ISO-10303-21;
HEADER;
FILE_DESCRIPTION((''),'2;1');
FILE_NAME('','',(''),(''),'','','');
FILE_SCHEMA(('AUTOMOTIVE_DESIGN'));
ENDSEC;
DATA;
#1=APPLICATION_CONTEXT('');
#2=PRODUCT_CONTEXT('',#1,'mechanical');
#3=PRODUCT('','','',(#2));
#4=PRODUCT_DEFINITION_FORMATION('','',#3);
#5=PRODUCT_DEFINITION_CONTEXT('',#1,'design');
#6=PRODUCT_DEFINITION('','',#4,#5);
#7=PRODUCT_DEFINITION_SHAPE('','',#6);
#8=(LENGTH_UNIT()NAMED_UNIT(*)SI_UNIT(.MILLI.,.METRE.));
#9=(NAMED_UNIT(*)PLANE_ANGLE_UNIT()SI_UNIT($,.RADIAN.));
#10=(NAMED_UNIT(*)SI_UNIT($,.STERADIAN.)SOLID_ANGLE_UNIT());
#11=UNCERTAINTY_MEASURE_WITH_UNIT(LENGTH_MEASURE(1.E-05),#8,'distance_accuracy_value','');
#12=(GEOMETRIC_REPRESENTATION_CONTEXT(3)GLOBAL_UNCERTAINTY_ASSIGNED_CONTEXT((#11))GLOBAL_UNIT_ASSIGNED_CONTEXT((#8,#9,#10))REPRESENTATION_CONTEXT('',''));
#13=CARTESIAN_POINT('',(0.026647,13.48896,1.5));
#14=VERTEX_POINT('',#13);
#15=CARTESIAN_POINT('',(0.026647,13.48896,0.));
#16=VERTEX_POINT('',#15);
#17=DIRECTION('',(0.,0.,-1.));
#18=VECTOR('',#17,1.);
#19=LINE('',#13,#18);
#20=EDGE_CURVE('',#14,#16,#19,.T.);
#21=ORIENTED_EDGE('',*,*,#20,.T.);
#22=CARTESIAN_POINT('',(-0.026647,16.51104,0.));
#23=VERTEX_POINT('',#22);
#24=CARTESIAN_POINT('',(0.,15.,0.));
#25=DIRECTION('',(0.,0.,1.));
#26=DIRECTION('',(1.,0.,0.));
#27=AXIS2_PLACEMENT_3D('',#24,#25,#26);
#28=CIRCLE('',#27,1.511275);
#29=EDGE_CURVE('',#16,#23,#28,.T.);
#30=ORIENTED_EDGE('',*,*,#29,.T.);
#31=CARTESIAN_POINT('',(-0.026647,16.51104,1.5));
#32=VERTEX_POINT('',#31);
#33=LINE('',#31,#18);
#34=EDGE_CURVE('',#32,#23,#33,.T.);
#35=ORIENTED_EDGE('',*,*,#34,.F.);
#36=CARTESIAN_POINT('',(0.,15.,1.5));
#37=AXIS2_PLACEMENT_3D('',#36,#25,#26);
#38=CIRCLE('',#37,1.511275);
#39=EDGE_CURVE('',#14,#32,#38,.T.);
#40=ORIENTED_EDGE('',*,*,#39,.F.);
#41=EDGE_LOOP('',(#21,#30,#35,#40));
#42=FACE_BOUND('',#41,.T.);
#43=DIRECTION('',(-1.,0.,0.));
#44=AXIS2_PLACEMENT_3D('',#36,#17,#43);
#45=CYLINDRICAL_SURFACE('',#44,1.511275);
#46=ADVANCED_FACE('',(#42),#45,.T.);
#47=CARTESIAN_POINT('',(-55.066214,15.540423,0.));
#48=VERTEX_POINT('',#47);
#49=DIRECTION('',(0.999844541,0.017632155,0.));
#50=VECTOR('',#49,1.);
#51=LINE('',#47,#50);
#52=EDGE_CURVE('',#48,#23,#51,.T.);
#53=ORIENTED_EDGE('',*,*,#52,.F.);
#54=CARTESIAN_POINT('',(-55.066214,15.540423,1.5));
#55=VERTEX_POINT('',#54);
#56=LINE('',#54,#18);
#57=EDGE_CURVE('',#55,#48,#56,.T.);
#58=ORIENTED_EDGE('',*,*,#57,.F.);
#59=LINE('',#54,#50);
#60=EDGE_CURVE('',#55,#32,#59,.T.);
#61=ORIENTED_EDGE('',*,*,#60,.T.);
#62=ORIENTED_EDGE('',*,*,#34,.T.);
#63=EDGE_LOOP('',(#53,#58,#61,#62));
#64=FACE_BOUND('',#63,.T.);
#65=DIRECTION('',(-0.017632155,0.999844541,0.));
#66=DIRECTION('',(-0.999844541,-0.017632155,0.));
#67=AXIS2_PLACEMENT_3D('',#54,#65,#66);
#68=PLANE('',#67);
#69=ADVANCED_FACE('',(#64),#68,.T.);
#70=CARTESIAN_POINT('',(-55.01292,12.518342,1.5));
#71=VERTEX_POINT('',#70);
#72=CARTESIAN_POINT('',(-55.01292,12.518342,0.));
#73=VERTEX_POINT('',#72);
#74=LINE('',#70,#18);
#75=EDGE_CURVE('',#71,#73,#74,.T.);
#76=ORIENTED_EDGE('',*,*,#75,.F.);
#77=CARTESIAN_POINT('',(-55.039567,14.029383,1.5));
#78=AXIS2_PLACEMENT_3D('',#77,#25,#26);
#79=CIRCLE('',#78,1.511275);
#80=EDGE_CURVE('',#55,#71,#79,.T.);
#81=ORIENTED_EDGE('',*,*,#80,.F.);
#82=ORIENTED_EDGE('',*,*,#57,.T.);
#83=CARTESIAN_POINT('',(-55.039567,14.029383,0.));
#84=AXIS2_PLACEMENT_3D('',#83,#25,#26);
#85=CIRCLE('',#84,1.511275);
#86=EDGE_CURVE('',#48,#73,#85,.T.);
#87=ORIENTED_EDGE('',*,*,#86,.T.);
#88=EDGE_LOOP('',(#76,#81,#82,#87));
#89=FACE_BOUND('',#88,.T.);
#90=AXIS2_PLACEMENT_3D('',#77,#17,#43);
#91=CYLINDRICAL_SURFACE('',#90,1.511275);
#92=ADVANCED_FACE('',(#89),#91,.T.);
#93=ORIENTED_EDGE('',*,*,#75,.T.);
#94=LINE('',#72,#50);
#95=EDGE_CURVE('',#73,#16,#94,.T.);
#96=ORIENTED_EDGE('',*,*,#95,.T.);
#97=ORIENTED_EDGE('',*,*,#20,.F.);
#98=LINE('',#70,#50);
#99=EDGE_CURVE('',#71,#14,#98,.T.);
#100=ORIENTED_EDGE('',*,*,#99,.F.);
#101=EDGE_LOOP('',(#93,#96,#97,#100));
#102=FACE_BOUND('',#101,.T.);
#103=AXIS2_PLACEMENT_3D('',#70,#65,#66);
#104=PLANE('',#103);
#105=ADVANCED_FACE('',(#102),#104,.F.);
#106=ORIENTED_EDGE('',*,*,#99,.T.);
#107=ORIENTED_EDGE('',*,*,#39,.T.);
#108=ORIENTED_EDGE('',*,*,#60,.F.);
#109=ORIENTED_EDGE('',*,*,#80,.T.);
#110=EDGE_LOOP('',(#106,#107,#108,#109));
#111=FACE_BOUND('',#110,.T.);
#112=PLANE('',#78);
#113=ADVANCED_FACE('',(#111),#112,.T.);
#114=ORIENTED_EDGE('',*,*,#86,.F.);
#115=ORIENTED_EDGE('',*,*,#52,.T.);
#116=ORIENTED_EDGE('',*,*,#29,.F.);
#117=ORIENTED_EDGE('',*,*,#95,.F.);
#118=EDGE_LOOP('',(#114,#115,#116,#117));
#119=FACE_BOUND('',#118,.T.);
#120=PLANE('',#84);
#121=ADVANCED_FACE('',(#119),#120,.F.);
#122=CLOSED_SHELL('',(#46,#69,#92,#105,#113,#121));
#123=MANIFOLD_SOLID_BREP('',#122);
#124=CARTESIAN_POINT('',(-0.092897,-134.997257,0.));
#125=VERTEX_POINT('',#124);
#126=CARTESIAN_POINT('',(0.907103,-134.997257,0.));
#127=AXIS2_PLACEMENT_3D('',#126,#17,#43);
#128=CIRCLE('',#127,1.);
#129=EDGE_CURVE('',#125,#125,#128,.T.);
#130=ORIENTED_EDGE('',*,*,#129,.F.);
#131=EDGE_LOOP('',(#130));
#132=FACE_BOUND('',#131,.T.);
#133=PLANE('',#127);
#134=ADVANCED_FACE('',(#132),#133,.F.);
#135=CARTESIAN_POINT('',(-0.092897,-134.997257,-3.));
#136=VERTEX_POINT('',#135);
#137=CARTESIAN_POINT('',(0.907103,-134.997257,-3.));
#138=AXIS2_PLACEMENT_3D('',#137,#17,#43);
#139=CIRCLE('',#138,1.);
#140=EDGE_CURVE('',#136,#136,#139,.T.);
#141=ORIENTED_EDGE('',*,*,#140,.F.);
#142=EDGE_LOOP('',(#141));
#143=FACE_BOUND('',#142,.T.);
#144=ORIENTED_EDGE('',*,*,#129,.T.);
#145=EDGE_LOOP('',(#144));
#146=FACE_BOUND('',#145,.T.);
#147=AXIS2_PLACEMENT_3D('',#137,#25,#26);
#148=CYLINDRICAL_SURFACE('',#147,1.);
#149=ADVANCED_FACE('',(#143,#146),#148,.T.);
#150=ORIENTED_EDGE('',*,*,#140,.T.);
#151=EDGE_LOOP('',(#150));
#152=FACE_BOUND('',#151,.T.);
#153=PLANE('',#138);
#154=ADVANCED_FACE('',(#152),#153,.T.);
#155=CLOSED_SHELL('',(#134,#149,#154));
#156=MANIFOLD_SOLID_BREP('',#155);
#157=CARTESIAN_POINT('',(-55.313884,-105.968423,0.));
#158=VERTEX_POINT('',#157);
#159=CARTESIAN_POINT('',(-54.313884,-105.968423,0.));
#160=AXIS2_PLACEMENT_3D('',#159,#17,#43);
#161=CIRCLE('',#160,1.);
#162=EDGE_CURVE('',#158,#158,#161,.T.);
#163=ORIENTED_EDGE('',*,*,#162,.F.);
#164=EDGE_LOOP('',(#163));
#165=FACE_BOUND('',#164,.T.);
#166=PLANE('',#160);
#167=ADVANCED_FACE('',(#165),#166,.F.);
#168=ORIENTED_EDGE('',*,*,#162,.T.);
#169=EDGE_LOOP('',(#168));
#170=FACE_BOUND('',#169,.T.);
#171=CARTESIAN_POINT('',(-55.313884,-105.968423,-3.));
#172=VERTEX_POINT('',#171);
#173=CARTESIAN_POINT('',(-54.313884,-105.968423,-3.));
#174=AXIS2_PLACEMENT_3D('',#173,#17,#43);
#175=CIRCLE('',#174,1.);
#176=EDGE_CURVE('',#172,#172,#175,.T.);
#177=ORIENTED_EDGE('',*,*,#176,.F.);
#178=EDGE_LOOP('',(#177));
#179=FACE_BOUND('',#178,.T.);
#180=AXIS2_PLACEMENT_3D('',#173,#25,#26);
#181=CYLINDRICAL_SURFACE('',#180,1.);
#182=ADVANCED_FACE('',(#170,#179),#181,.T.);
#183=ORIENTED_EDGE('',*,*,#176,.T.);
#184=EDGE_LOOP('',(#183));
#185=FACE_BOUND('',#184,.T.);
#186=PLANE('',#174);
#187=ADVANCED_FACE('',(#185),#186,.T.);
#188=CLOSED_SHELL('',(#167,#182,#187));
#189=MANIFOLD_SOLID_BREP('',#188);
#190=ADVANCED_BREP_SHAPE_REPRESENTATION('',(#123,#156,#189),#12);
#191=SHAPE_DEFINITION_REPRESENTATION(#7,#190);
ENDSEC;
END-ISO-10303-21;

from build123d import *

# Parameters (mm, degrees)
BOSS_EXTRUDE1_DEPTH   = 1.5
SKETCH2_R             = 1
BOSS_EXTRUDE2_DEPTH   = 3
BOSS_EXTRUDE2_2_DEPTH = 3


with BuildPart() as part:
    # Sketch1 → Boss-Extrude1 (new body)
    with BuildSketch(Plane.XY):
        with BuildLine():
            Line((-55.066213656, 15.540423387), (-0.026647042, 16.511040453))
            ThreePointArc((-0.026647042, 16.511040453), (1.511040453, 15.026647042), (0.026647042, 13.488959547))
            Line((0.026647042, 13.488959547), (-55.012919571, 12.518342481))
            ThreePointArc((-55.012919571, 12.518342481), (-56.550607067, 14.002735892), (-55.066213656, 15.540423387))
        make_face()
    extrude(amount=BOSS_EXTRUDE1_DEPTH)


with BuildPart() as body_2:
    # Sketch2 → Boss-Extrude2 (new body)
    with BuildSketch(Plane(origin=(0, 0, 0), x_dir=(-1, 0, 0), z_dir=(0, 0, -1))):
        with Locations((54.313883932, -105.968422815)):
            Circle(SKETCH2_R)
    extrude(amount=BOSS_EXTRUDE2_DEPTH)


with BuildPart() as body_3:
    # Sketch2 → Boss-Extrude2 2 (new body)
    with BuildSketch(Plane(origin=(0, 0, 0), x_dir=(-1, 0, 0), z_dir=(0, 0, -1))):
        with Locations((-0.907103352, -134.997257187)):
            Circle(SKETCH2_R)
    extrude(amount=BOSS_EXTRUDE2_2_DEPTH)


solid = Compound([part.part, body_2.part, body_3.part])
